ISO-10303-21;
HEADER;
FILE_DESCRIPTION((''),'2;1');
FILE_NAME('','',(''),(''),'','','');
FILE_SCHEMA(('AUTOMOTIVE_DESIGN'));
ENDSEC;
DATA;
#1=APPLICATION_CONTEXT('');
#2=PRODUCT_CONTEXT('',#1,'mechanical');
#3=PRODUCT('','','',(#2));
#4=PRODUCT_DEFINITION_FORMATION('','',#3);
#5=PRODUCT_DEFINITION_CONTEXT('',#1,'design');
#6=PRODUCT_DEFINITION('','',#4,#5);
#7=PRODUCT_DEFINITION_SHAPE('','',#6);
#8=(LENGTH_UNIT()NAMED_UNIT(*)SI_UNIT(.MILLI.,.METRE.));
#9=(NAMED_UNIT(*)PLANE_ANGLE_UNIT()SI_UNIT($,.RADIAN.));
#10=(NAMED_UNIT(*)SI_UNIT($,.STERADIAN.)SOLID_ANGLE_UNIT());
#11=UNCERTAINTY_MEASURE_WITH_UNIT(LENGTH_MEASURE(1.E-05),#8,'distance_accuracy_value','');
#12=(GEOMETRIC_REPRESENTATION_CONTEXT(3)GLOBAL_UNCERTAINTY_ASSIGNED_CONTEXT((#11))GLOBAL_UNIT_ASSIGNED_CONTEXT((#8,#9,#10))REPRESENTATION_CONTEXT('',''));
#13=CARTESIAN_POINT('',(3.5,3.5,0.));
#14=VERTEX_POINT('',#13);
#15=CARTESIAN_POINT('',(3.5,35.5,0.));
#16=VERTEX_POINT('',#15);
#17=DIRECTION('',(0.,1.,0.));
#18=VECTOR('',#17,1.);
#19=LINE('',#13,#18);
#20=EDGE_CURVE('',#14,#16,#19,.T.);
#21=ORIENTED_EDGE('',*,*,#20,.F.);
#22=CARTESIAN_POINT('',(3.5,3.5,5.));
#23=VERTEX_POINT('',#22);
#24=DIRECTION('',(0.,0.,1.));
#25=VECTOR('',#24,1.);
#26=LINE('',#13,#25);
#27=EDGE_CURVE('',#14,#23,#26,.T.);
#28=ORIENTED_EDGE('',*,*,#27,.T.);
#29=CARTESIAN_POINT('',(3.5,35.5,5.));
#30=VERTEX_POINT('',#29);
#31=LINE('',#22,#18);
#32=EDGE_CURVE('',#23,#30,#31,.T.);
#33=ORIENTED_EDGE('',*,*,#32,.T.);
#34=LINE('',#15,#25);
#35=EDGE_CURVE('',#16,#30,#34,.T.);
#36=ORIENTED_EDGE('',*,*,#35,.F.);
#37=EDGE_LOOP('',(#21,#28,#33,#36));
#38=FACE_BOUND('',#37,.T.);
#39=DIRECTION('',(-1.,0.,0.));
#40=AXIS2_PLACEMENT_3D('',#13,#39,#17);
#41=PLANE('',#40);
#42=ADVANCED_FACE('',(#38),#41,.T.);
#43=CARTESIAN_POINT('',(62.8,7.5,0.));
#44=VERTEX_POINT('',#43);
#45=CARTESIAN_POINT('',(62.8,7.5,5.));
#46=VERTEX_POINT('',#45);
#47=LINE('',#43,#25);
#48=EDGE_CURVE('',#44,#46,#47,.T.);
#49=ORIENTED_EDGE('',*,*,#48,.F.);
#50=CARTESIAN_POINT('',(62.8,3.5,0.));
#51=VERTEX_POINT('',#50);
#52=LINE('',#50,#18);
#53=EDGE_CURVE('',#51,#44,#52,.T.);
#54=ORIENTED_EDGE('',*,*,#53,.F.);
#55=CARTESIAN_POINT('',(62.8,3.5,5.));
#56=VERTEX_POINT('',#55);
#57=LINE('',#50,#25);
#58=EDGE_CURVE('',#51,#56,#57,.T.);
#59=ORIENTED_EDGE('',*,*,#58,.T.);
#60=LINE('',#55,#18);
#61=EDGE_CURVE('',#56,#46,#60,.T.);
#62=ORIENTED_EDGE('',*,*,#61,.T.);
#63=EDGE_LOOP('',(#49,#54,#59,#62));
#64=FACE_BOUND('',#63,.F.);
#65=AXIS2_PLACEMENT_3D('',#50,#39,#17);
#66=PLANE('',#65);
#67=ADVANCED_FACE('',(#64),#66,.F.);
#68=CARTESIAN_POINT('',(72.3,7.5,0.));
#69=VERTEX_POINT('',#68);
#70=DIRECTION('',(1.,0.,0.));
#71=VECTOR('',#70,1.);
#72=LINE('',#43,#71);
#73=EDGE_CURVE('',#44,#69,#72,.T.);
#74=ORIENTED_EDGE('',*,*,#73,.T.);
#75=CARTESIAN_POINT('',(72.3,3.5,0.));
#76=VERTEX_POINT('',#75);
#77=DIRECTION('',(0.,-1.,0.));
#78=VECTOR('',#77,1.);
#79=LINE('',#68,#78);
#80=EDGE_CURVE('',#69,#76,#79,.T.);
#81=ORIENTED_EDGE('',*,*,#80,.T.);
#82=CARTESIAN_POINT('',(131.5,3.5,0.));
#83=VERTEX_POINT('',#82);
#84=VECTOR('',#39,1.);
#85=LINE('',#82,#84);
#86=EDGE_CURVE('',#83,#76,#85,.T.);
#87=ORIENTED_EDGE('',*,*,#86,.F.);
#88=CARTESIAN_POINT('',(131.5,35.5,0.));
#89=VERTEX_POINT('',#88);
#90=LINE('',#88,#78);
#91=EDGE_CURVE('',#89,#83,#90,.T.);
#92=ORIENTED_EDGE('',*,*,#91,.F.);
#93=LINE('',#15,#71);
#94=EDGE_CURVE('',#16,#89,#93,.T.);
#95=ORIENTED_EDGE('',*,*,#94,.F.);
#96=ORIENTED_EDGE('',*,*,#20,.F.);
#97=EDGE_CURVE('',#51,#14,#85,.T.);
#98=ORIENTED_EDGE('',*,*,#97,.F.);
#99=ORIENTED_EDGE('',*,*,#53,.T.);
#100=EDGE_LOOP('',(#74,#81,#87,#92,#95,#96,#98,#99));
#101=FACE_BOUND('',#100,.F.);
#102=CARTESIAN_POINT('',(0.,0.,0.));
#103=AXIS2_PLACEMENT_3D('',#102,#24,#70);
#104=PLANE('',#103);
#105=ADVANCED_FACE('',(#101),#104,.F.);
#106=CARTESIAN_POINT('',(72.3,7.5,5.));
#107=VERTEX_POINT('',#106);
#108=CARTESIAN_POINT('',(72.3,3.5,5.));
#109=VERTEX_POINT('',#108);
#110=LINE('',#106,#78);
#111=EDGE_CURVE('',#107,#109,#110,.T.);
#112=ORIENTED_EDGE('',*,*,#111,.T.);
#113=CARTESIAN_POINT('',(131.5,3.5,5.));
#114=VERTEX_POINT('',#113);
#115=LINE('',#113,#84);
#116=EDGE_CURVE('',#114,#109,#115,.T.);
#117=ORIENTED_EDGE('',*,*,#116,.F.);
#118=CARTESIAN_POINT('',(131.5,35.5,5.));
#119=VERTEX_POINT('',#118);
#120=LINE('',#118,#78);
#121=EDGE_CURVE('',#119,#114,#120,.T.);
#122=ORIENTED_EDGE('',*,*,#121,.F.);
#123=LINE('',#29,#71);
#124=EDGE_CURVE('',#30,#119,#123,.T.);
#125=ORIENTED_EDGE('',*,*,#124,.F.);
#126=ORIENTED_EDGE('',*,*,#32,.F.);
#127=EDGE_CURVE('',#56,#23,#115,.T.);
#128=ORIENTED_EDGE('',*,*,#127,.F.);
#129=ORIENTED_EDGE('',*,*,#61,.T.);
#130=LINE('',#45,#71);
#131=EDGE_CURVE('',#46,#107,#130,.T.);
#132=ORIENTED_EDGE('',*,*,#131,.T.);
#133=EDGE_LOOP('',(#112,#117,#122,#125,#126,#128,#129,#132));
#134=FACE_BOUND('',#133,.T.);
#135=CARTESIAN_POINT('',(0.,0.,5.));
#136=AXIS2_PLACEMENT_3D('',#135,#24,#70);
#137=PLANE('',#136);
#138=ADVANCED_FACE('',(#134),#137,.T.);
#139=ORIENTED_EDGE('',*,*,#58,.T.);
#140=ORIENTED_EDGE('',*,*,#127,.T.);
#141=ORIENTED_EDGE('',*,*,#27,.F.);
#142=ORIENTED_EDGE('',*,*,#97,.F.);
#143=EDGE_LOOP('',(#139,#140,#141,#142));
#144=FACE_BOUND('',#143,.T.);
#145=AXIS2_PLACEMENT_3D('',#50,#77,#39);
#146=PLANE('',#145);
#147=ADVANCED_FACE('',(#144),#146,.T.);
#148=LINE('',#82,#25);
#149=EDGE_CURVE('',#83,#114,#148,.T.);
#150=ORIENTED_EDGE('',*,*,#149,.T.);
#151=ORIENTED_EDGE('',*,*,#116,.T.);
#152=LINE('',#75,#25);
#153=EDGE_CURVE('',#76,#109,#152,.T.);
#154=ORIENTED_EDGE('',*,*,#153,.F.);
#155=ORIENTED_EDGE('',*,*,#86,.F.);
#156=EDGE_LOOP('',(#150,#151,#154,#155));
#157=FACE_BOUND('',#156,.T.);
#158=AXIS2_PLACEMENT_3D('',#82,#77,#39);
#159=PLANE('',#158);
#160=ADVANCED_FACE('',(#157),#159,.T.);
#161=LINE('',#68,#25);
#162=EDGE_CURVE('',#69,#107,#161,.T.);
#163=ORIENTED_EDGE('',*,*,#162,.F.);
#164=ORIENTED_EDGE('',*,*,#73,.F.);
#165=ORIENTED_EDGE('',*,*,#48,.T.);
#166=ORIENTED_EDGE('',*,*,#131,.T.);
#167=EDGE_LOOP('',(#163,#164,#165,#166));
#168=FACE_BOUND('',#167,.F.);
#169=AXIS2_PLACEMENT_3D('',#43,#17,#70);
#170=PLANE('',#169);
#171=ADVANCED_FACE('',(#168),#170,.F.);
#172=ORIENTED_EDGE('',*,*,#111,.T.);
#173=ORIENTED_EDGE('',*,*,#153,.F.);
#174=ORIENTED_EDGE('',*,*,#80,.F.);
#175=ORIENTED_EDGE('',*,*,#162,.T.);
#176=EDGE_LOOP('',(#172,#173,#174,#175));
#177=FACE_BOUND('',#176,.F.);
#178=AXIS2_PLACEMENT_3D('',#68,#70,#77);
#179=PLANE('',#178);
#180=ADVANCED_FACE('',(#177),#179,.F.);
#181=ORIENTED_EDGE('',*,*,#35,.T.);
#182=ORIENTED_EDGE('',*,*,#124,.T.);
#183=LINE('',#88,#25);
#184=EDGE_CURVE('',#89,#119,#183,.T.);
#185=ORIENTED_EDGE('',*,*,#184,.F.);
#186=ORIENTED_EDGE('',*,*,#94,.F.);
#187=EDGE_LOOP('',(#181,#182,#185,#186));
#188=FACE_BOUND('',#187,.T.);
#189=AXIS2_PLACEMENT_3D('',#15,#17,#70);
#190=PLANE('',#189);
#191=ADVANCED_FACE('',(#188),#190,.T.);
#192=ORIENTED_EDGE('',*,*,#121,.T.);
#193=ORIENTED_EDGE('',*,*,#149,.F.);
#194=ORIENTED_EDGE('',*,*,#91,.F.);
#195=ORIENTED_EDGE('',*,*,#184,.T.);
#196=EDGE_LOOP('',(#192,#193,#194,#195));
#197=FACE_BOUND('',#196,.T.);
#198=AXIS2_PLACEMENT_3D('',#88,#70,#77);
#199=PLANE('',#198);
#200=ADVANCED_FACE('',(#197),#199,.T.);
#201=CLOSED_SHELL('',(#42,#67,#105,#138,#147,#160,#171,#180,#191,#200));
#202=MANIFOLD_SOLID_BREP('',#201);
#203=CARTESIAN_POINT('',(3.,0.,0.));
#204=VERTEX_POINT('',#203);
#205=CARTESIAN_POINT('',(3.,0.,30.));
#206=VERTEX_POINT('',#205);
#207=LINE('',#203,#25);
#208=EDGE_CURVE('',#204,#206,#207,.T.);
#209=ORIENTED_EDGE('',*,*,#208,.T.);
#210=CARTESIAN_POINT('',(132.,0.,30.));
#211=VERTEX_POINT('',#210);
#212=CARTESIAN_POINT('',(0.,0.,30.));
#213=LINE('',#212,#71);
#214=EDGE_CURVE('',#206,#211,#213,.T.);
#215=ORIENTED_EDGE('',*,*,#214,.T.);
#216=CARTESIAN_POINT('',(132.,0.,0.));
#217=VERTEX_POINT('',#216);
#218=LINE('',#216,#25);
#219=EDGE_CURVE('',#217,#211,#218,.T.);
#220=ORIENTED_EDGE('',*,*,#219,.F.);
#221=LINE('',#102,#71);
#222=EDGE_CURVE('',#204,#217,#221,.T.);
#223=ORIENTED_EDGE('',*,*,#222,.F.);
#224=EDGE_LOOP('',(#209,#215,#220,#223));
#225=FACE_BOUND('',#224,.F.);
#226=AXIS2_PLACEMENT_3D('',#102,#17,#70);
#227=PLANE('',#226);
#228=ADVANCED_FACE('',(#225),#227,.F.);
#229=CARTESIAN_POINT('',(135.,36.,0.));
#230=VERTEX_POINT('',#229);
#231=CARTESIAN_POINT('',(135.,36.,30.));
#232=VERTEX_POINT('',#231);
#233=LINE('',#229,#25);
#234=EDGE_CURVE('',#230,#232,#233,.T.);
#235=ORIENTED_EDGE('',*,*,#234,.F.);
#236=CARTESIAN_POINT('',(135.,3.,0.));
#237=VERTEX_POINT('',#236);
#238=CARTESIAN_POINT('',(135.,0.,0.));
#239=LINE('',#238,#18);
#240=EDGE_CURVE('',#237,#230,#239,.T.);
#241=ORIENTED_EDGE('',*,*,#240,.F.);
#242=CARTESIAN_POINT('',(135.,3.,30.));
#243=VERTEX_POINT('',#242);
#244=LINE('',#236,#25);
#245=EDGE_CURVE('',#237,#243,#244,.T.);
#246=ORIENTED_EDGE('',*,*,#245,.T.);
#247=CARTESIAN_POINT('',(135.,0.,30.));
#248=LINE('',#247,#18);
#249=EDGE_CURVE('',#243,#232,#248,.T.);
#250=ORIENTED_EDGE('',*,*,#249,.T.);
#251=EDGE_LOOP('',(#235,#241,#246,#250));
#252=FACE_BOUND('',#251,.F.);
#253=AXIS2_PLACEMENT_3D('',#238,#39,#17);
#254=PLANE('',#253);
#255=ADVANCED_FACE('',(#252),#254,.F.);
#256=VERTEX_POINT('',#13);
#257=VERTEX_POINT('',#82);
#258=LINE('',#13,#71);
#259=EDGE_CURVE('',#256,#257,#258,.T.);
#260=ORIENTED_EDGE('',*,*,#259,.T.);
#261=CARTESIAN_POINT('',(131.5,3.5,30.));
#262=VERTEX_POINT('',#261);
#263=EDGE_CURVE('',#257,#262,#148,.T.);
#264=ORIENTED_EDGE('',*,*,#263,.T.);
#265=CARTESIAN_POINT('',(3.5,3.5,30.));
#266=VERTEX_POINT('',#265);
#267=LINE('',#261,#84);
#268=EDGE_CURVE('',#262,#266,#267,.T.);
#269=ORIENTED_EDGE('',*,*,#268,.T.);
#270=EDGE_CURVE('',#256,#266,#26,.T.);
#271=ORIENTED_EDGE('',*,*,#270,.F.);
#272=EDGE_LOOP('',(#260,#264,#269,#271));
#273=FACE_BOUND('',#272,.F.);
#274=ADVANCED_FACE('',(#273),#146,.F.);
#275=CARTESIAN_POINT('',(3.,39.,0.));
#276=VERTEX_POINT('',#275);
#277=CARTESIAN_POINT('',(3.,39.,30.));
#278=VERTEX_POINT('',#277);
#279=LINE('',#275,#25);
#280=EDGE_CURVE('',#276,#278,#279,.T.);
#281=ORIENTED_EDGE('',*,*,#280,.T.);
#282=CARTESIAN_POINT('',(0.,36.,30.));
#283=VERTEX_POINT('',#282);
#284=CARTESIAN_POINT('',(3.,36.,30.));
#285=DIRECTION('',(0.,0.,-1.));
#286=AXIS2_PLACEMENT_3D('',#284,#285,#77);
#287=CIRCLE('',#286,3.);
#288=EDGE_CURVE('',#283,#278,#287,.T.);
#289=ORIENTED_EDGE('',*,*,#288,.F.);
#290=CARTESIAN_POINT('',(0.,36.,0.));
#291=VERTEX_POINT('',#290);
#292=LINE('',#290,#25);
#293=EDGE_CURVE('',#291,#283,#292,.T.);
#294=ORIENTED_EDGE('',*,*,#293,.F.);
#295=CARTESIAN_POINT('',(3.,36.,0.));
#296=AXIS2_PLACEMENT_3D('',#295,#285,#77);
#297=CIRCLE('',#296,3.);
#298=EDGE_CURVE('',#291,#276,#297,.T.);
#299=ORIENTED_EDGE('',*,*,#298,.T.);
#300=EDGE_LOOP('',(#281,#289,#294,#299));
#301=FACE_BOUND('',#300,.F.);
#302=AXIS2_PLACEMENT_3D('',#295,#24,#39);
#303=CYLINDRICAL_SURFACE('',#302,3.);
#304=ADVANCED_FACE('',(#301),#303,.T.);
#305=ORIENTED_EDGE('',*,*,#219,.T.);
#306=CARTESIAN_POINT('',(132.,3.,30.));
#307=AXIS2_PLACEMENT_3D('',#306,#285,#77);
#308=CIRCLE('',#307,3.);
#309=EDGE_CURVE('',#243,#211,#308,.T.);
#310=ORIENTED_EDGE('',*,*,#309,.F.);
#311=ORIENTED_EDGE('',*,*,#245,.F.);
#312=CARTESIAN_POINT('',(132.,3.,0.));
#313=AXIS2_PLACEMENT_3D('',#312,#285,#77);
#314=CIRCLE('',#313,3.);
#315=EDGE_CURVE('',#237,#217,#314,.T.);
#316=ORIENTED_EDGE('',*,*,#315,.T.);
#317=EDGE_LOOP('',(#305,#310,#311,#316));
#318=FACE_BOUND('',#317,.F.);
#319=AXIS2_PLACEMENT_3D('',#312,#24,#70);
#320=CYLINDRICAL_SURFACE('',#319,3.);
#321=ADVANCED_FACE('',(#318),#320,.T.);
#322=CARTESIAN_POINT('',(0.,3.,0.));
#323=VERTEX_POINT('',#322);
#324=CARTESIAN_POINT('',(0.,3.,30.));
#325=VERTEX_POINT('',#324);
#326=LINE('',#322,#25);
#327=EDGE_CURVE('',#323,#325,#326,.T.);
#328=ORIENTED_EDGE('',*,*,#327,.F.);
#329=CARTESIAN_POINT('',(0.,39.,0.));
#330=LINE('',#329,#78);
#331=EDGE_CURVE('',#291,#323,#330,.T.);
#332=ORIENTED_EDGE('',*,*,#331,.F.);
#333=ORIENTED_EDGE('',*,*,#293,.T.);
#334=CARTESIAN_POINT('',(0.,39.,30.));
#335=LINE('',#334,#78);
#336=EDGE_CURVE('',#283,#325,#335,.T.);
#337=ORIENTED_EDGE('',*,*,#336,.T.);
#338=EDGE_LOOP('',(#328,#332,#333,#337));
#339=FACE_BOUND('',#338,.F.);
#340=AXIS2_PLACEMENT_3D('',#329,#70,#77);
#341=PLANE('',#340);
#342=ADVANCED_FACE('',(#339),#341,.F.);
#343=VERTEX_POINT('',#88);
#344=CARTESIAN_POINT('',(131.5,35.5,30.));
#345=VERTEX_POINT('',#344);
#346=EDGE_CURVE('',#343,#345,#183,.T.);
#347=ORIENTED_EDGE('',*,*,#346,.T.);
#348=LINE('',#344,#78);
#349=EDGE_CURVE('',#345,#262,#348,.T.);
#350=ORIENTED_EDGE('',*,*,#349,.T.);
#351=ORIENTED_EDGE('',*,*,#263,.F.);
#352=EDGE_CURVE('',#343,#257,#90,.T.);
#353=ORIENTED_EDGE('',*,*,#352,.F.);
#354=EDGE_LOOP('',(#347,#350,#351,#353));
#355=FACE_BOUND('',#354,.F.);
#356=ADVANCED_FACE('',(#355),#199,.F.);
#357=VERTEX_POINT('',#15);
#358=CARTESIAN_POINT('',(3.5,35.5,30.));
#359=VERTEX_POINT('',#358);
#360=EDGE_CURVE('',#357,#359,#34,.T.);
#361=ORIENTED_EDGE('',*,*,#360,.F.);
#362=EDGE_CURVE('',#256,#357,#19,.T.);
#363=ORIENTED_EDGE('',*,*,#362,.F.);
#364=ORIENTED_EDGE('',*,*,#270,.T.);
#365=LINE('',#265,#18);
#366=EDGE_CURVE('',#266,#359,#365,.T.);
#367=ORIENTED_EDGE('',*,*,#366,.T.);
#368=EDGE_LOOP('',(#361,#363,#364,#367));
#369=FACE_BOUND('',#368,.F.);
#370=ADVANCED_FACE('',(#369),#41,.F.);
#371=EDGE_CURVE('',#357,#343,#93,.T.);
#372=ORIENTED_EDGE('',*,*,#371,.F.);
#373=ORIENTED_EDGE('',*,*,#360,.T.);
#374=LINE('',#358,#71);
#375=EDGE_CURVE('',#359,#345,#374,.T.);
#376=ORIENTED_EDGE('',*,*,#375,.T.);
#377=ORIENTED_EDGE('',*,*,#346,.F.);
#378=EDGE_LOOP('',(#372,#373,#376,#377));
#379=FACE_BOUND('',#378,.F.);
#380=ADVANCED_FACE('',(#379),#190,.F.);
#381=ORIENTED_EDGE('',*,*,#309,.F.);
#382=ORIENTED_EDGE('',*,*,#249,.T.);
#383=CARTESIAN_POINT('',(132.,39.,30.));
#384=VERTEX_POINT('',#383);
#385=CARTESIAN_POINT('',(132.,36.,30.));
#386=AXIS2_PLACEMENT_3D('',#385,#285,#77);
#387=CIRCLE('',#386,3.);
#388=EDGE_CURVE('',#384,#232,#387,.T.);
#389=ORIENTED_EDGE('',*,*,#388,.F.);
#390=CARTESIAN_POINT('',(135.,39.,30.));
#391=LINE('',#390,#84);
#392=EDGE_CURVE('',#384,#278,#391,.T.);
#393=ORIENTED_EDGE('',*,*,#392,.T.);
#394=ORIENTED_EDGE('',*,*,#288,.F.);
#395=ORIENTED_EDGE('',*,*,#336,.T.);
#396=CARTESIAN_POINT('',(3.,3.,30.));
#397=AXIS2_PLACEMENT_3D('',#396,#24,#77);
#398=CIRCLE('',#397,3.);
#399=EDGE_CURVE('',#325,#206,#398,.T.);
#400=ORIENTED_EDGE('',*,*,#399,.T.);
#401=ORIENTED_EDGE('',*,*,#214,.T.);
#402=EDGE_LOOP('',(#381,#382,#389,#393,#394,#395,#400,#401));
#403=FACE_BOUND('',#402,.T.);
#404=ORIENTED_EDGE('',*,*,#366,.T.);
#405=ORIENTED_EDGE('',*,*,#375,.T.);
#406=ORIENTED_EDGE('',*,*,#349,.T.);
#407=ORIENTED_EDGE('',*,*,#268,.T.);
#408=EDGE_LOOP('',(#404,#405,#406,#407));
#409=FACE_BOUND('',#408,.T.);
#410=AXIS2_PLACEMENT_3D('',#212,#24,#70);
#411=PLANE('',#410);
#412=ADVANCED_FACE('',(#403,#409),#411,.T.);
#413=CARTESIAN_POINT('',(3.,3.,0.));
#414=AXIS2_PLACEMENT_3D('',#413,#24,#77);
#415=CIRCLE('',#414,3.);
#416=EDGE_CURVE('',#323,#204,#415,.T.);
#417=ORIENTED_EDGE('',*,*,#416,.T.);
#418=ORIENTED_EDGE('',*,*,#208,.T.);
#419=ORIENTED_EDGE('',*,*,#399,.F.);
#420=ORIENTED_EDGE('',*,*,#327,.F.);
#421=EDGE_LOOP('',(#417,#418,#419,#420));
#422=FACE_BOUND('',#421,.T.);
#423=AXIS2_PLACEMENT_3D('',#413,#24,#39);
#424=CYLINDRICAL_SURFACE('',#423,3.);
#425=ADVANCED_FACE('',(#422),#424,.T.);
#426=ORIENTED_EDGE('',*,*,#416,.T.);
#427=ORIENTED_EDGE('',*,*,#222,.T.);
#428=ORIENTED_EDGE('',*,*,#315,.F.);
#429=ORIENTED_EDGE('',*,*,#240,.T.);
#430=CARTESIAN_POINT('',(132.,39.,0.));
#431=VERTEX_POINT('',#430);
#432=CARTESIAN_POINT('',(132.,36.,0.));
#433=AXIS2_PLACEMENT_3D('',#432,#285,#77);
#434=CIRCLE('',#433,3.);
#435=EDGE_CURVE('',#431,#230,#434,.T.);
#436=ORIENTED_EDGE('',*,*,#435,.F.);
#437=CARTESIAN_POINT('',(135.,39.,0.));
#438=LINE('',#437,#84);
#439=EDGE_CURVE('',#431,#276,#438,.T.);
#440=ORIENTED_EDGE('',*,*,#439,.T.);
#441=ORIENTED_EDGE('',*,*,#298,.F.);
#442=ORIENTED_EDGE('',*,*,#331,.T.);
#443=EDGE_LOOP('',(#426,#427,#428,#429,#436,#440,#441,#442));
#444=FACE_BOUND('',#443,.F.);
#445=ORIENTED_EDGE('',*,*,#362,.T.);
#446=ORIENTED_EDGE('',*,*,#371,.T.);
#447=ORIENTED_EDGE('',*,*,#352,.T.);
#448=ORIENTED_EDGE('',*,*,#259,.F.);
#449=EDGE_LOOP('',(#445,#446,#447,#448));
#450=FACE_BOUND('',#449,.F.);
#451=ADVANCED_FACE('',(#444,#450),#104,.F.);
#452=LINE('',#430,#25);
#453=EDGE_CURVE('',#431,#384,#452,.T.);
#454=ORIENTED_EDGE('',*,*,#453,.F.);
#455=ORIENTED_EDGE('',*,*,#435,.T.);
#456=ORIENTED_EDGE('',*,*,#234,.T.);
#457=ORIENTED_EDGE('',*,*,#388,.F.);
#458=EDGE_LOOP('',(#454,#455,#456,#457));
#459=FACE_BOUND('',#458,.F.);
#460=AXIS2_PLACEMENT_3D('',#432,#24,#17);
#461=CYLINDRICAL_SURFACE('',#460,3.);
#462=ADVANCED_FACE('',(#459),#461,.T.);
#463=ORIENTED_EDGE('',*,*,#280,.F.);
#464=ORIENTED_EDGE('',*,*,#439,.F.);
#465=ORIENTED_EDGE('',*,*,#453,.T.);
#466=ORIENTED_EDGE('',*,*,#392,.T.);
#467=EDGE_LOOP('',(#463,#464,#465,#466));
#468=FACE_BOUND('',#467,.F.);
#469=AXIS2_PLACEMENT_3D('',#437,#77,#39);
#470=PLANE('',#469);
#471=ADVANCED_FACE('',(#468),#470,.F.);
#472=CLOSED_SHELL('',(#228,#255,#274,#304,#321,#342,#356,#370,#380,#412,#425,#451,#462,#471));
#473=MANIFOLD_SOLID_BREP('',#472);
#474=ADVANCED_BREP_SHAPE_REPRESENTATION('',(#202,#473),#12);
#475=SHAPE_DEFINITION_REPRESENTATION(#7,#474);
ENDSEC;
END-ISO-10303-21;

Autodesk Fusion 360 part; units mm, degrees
sketch "Sketch1" plane through (0, 0, 0) normal (0, 0, 1) x (1, 0, 0)
  line L0 (0, 0) -> (135, 0)
  line L1 (135, 0) -> (135, 39)
  line L2 (135, 39) -> (0, 39)
  line L3 (0, 39) -> (0, 0)
  line L4 (3.5, 35.5) -> (131.5, 35.5)
  line L5 (131.5, 35.5) -> (131.5, 3.5)
  line L6 (131.5, 3.5) -> (3.5, 3.5)
  line L7 (3.5, 3.5) -> (3.5, 35.5)
  line L8 (62.8, 7.5) -> (72.3, 7.5)
  line L9 (72.3, 7.5) -> (72.3, 3.5)
  line L10 (72.3, 3.5) -> (62.8, 3.5)
  line L11 (62.8, 3.5) -> (62.8, 7.5)
  dimension "d1" = 39
  dimension "d2" = 135
  dimension "d3" = 128
  dimension "d4" = 32
  dimension "d5" = 3.5
  dimension "d6" = 3.5
  dimension "d7" = 4
  dimension "d8" = 9.5
  dimension "d9" = 59.3
extrude "Extrude1" add sketch "Sketch1" along normal blind 5 contours L4 L5 L6 L7 L8 L9 L11 makes body 1
extrude "Extrude2" add sketch "Sketch1" along normal blind 30 separate body makes body 2
fillet "Fillet1" radius 3 4 edges at (0, 0, 15) (135, 0, 15) (135, 39, 15) (0, 39, 15) on bodies 2
